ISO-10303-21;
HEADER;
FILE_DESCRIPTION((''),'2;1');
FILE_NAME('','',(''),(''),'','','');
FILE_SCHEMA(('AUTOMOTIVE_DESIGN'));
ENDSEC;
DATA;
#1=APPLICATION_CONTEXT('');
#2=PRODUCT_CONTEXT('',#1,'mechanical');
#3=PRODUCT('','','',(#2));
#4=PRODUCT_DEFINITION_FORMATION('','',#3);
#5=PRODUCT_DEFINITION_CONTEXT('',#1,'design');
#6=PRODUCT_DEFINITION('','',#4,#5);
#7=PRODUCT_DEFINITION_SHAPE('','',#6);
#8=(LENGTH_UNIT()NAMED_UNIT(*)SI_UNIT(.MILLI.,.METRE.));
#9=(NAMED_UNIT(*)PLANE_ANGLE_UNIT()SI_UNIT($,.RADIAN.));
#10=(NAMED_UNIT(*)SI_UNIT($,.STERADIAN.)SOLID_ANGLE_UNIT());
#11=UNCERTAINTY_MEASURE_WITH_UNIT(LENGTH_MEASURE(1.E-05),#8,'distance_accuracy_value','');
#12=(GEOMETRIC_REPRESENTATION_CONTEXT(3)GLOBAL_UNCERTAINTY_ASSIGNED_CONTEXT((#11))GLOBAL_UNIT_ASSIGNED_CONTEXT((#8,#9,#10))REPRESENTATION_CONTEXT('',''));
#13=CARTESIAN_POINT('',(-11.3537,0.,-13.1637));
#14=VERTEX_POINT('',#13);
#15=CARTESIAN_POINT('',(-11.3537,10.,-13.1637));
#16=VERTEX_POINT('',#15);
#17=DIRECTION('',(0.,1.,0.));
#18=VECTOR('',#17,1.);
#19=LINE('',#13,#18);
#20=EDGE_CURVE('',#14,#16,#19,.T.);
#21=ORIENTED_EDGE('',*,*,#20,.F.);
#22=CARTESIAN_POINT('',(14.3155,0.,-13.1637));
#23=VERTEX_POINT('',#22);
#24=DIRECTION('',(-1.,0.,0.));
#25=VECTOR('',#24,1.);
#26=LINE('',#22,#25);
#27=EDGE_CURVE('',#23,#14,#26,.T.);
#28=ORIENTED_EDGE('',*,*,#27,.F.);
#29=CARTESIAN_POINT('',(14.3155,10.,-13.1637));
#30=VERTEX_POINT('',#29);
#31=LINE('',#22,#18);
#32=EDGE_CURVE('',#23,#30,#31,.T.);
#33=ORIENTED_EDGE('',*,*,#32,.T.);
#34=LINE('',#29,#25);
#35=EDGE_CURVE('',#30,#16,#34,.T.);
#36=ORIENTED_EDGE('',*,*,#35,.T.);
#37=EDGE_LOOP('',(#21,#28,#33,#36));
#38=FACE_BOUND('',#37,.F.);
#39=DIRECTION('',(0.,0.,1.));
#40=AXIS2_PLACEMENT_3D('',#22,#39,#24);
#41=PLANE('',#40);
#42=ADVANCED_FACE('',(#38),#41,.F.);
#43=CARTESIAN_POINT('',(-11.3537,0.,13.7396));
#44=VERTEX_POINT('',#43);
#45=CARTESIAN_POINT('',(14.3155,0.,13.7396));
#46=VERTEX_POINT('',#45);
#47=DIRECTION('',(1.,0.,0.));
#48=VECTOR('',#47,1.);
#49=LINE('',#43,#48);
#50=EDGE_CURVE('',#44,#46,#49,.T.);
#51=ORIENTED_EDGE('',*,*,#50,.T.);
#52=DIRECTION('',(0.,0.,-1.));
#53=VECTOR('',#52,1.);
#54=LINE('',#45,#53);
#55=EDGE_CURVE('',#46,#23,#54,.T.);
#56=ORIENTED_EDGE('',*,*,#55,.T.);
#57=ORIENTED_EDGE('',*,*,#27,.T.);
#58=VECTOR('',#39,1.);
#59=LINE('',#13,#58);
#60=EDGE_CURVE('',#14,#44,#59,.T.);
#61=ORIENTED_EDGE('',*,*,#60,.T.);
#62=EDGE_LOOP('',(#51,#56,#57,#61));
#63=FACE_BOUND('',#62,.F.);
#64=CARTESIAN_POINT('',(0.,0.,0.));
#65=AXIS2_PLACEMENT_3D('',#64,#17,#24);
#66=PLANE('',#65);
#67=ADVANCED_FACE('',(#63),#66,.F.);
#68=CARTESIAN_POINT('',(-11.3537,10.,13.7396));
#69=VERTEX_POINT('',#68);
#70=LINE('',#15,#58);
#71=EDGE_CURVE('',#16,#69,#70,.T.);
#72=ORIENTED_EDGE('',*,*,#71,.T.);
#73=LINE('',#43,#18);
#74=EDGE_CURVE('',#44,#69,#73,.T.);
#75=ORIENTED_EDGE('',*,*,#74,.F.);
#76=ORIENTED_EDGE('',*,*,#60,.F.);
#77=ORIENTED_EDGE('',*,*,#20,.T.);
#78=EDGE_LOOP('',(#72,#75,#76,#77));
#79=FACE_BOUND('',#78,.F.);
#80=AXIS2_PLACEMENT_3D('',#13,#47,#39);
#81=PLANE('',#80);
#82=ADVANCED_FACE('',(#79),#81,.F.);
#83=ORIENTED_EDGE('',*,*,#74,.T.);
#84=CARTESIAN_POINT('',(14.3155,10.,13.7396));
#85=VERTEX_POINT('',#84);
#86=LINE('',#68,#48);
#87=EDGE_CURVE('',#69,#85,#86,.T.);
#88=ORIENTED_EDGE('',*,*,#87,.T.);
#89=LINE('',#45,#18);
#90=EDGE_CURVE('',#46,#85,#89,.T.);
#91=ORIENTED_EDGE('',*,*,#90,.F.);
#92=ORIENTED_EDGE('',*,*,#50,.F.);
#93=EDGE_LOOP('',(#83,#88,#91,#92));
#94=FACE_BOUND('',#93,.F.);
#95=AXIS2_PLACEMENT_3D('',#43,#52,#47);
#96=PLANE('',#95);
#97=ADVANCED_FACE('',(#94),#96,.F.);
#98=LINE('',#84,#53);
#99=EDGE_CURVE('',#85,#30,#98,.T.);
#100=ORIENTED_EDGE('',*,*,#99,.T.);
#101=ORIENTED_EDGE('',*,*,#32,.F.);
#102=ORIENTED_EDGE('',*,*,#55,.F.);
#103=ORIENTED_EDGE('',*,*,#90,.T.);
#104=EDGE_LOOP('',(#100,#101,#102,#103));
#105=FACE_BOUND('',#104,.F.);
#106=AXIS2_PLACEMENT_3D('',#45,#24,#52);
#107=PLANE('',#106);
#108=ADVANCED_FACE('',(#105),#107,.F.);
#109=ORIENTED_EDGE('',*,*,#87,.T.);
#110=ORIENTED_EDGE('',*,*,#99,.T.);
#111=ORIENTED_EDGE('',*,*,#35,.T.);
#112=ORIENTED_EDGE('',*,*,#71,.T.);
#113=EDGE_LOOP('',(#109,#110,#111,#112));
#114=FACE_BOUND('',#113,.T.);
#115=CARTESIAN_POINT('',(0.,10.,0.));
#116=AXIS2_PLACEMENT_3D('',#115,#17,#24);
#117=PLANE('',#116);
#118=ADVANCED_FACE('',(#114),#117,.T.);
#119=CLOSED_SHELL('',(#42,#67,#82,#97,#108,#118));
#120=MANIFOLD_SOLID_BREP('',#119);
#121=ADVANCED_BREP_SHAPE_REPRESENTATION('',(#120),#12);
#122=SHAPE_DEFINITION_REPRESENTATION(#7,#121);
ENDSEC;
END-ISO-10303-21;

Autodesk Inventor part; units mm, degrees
ref_plane "YZ Plane" through (0, 0, 0) normal (1, 0, 0) x (0, 1, 0)
ref_plane "XZ Plane" through (0, 0, 0) normal (0, 1, 0) x (-1, 0, 0)
ref_plane "XY Plane" through (0, 0, 0) normal (0, 0, 1) x (1, 0, 0)
sketch "Skizze1" plane through (0, 0, 0) normal (0, 1, 0) x (-1, 0, 0)
  line L0 (11.3537, 13.7396) -> (-14.3155, 13.7396)
  line L1 (-14.3155, 13.7396) -> (-14.3155, -13.1637)
  line L2 (-14.3155, -13.1637) -> (11.3537, -13.1637)
  line L3 (11.3537, -13.1637) -> (11.3537, 13.7396)
  point P0 (0, 0)
extrude "Extrusion1" add sketch "Skizze1" along normal blind 10
properties part number "Dummybauteil"
